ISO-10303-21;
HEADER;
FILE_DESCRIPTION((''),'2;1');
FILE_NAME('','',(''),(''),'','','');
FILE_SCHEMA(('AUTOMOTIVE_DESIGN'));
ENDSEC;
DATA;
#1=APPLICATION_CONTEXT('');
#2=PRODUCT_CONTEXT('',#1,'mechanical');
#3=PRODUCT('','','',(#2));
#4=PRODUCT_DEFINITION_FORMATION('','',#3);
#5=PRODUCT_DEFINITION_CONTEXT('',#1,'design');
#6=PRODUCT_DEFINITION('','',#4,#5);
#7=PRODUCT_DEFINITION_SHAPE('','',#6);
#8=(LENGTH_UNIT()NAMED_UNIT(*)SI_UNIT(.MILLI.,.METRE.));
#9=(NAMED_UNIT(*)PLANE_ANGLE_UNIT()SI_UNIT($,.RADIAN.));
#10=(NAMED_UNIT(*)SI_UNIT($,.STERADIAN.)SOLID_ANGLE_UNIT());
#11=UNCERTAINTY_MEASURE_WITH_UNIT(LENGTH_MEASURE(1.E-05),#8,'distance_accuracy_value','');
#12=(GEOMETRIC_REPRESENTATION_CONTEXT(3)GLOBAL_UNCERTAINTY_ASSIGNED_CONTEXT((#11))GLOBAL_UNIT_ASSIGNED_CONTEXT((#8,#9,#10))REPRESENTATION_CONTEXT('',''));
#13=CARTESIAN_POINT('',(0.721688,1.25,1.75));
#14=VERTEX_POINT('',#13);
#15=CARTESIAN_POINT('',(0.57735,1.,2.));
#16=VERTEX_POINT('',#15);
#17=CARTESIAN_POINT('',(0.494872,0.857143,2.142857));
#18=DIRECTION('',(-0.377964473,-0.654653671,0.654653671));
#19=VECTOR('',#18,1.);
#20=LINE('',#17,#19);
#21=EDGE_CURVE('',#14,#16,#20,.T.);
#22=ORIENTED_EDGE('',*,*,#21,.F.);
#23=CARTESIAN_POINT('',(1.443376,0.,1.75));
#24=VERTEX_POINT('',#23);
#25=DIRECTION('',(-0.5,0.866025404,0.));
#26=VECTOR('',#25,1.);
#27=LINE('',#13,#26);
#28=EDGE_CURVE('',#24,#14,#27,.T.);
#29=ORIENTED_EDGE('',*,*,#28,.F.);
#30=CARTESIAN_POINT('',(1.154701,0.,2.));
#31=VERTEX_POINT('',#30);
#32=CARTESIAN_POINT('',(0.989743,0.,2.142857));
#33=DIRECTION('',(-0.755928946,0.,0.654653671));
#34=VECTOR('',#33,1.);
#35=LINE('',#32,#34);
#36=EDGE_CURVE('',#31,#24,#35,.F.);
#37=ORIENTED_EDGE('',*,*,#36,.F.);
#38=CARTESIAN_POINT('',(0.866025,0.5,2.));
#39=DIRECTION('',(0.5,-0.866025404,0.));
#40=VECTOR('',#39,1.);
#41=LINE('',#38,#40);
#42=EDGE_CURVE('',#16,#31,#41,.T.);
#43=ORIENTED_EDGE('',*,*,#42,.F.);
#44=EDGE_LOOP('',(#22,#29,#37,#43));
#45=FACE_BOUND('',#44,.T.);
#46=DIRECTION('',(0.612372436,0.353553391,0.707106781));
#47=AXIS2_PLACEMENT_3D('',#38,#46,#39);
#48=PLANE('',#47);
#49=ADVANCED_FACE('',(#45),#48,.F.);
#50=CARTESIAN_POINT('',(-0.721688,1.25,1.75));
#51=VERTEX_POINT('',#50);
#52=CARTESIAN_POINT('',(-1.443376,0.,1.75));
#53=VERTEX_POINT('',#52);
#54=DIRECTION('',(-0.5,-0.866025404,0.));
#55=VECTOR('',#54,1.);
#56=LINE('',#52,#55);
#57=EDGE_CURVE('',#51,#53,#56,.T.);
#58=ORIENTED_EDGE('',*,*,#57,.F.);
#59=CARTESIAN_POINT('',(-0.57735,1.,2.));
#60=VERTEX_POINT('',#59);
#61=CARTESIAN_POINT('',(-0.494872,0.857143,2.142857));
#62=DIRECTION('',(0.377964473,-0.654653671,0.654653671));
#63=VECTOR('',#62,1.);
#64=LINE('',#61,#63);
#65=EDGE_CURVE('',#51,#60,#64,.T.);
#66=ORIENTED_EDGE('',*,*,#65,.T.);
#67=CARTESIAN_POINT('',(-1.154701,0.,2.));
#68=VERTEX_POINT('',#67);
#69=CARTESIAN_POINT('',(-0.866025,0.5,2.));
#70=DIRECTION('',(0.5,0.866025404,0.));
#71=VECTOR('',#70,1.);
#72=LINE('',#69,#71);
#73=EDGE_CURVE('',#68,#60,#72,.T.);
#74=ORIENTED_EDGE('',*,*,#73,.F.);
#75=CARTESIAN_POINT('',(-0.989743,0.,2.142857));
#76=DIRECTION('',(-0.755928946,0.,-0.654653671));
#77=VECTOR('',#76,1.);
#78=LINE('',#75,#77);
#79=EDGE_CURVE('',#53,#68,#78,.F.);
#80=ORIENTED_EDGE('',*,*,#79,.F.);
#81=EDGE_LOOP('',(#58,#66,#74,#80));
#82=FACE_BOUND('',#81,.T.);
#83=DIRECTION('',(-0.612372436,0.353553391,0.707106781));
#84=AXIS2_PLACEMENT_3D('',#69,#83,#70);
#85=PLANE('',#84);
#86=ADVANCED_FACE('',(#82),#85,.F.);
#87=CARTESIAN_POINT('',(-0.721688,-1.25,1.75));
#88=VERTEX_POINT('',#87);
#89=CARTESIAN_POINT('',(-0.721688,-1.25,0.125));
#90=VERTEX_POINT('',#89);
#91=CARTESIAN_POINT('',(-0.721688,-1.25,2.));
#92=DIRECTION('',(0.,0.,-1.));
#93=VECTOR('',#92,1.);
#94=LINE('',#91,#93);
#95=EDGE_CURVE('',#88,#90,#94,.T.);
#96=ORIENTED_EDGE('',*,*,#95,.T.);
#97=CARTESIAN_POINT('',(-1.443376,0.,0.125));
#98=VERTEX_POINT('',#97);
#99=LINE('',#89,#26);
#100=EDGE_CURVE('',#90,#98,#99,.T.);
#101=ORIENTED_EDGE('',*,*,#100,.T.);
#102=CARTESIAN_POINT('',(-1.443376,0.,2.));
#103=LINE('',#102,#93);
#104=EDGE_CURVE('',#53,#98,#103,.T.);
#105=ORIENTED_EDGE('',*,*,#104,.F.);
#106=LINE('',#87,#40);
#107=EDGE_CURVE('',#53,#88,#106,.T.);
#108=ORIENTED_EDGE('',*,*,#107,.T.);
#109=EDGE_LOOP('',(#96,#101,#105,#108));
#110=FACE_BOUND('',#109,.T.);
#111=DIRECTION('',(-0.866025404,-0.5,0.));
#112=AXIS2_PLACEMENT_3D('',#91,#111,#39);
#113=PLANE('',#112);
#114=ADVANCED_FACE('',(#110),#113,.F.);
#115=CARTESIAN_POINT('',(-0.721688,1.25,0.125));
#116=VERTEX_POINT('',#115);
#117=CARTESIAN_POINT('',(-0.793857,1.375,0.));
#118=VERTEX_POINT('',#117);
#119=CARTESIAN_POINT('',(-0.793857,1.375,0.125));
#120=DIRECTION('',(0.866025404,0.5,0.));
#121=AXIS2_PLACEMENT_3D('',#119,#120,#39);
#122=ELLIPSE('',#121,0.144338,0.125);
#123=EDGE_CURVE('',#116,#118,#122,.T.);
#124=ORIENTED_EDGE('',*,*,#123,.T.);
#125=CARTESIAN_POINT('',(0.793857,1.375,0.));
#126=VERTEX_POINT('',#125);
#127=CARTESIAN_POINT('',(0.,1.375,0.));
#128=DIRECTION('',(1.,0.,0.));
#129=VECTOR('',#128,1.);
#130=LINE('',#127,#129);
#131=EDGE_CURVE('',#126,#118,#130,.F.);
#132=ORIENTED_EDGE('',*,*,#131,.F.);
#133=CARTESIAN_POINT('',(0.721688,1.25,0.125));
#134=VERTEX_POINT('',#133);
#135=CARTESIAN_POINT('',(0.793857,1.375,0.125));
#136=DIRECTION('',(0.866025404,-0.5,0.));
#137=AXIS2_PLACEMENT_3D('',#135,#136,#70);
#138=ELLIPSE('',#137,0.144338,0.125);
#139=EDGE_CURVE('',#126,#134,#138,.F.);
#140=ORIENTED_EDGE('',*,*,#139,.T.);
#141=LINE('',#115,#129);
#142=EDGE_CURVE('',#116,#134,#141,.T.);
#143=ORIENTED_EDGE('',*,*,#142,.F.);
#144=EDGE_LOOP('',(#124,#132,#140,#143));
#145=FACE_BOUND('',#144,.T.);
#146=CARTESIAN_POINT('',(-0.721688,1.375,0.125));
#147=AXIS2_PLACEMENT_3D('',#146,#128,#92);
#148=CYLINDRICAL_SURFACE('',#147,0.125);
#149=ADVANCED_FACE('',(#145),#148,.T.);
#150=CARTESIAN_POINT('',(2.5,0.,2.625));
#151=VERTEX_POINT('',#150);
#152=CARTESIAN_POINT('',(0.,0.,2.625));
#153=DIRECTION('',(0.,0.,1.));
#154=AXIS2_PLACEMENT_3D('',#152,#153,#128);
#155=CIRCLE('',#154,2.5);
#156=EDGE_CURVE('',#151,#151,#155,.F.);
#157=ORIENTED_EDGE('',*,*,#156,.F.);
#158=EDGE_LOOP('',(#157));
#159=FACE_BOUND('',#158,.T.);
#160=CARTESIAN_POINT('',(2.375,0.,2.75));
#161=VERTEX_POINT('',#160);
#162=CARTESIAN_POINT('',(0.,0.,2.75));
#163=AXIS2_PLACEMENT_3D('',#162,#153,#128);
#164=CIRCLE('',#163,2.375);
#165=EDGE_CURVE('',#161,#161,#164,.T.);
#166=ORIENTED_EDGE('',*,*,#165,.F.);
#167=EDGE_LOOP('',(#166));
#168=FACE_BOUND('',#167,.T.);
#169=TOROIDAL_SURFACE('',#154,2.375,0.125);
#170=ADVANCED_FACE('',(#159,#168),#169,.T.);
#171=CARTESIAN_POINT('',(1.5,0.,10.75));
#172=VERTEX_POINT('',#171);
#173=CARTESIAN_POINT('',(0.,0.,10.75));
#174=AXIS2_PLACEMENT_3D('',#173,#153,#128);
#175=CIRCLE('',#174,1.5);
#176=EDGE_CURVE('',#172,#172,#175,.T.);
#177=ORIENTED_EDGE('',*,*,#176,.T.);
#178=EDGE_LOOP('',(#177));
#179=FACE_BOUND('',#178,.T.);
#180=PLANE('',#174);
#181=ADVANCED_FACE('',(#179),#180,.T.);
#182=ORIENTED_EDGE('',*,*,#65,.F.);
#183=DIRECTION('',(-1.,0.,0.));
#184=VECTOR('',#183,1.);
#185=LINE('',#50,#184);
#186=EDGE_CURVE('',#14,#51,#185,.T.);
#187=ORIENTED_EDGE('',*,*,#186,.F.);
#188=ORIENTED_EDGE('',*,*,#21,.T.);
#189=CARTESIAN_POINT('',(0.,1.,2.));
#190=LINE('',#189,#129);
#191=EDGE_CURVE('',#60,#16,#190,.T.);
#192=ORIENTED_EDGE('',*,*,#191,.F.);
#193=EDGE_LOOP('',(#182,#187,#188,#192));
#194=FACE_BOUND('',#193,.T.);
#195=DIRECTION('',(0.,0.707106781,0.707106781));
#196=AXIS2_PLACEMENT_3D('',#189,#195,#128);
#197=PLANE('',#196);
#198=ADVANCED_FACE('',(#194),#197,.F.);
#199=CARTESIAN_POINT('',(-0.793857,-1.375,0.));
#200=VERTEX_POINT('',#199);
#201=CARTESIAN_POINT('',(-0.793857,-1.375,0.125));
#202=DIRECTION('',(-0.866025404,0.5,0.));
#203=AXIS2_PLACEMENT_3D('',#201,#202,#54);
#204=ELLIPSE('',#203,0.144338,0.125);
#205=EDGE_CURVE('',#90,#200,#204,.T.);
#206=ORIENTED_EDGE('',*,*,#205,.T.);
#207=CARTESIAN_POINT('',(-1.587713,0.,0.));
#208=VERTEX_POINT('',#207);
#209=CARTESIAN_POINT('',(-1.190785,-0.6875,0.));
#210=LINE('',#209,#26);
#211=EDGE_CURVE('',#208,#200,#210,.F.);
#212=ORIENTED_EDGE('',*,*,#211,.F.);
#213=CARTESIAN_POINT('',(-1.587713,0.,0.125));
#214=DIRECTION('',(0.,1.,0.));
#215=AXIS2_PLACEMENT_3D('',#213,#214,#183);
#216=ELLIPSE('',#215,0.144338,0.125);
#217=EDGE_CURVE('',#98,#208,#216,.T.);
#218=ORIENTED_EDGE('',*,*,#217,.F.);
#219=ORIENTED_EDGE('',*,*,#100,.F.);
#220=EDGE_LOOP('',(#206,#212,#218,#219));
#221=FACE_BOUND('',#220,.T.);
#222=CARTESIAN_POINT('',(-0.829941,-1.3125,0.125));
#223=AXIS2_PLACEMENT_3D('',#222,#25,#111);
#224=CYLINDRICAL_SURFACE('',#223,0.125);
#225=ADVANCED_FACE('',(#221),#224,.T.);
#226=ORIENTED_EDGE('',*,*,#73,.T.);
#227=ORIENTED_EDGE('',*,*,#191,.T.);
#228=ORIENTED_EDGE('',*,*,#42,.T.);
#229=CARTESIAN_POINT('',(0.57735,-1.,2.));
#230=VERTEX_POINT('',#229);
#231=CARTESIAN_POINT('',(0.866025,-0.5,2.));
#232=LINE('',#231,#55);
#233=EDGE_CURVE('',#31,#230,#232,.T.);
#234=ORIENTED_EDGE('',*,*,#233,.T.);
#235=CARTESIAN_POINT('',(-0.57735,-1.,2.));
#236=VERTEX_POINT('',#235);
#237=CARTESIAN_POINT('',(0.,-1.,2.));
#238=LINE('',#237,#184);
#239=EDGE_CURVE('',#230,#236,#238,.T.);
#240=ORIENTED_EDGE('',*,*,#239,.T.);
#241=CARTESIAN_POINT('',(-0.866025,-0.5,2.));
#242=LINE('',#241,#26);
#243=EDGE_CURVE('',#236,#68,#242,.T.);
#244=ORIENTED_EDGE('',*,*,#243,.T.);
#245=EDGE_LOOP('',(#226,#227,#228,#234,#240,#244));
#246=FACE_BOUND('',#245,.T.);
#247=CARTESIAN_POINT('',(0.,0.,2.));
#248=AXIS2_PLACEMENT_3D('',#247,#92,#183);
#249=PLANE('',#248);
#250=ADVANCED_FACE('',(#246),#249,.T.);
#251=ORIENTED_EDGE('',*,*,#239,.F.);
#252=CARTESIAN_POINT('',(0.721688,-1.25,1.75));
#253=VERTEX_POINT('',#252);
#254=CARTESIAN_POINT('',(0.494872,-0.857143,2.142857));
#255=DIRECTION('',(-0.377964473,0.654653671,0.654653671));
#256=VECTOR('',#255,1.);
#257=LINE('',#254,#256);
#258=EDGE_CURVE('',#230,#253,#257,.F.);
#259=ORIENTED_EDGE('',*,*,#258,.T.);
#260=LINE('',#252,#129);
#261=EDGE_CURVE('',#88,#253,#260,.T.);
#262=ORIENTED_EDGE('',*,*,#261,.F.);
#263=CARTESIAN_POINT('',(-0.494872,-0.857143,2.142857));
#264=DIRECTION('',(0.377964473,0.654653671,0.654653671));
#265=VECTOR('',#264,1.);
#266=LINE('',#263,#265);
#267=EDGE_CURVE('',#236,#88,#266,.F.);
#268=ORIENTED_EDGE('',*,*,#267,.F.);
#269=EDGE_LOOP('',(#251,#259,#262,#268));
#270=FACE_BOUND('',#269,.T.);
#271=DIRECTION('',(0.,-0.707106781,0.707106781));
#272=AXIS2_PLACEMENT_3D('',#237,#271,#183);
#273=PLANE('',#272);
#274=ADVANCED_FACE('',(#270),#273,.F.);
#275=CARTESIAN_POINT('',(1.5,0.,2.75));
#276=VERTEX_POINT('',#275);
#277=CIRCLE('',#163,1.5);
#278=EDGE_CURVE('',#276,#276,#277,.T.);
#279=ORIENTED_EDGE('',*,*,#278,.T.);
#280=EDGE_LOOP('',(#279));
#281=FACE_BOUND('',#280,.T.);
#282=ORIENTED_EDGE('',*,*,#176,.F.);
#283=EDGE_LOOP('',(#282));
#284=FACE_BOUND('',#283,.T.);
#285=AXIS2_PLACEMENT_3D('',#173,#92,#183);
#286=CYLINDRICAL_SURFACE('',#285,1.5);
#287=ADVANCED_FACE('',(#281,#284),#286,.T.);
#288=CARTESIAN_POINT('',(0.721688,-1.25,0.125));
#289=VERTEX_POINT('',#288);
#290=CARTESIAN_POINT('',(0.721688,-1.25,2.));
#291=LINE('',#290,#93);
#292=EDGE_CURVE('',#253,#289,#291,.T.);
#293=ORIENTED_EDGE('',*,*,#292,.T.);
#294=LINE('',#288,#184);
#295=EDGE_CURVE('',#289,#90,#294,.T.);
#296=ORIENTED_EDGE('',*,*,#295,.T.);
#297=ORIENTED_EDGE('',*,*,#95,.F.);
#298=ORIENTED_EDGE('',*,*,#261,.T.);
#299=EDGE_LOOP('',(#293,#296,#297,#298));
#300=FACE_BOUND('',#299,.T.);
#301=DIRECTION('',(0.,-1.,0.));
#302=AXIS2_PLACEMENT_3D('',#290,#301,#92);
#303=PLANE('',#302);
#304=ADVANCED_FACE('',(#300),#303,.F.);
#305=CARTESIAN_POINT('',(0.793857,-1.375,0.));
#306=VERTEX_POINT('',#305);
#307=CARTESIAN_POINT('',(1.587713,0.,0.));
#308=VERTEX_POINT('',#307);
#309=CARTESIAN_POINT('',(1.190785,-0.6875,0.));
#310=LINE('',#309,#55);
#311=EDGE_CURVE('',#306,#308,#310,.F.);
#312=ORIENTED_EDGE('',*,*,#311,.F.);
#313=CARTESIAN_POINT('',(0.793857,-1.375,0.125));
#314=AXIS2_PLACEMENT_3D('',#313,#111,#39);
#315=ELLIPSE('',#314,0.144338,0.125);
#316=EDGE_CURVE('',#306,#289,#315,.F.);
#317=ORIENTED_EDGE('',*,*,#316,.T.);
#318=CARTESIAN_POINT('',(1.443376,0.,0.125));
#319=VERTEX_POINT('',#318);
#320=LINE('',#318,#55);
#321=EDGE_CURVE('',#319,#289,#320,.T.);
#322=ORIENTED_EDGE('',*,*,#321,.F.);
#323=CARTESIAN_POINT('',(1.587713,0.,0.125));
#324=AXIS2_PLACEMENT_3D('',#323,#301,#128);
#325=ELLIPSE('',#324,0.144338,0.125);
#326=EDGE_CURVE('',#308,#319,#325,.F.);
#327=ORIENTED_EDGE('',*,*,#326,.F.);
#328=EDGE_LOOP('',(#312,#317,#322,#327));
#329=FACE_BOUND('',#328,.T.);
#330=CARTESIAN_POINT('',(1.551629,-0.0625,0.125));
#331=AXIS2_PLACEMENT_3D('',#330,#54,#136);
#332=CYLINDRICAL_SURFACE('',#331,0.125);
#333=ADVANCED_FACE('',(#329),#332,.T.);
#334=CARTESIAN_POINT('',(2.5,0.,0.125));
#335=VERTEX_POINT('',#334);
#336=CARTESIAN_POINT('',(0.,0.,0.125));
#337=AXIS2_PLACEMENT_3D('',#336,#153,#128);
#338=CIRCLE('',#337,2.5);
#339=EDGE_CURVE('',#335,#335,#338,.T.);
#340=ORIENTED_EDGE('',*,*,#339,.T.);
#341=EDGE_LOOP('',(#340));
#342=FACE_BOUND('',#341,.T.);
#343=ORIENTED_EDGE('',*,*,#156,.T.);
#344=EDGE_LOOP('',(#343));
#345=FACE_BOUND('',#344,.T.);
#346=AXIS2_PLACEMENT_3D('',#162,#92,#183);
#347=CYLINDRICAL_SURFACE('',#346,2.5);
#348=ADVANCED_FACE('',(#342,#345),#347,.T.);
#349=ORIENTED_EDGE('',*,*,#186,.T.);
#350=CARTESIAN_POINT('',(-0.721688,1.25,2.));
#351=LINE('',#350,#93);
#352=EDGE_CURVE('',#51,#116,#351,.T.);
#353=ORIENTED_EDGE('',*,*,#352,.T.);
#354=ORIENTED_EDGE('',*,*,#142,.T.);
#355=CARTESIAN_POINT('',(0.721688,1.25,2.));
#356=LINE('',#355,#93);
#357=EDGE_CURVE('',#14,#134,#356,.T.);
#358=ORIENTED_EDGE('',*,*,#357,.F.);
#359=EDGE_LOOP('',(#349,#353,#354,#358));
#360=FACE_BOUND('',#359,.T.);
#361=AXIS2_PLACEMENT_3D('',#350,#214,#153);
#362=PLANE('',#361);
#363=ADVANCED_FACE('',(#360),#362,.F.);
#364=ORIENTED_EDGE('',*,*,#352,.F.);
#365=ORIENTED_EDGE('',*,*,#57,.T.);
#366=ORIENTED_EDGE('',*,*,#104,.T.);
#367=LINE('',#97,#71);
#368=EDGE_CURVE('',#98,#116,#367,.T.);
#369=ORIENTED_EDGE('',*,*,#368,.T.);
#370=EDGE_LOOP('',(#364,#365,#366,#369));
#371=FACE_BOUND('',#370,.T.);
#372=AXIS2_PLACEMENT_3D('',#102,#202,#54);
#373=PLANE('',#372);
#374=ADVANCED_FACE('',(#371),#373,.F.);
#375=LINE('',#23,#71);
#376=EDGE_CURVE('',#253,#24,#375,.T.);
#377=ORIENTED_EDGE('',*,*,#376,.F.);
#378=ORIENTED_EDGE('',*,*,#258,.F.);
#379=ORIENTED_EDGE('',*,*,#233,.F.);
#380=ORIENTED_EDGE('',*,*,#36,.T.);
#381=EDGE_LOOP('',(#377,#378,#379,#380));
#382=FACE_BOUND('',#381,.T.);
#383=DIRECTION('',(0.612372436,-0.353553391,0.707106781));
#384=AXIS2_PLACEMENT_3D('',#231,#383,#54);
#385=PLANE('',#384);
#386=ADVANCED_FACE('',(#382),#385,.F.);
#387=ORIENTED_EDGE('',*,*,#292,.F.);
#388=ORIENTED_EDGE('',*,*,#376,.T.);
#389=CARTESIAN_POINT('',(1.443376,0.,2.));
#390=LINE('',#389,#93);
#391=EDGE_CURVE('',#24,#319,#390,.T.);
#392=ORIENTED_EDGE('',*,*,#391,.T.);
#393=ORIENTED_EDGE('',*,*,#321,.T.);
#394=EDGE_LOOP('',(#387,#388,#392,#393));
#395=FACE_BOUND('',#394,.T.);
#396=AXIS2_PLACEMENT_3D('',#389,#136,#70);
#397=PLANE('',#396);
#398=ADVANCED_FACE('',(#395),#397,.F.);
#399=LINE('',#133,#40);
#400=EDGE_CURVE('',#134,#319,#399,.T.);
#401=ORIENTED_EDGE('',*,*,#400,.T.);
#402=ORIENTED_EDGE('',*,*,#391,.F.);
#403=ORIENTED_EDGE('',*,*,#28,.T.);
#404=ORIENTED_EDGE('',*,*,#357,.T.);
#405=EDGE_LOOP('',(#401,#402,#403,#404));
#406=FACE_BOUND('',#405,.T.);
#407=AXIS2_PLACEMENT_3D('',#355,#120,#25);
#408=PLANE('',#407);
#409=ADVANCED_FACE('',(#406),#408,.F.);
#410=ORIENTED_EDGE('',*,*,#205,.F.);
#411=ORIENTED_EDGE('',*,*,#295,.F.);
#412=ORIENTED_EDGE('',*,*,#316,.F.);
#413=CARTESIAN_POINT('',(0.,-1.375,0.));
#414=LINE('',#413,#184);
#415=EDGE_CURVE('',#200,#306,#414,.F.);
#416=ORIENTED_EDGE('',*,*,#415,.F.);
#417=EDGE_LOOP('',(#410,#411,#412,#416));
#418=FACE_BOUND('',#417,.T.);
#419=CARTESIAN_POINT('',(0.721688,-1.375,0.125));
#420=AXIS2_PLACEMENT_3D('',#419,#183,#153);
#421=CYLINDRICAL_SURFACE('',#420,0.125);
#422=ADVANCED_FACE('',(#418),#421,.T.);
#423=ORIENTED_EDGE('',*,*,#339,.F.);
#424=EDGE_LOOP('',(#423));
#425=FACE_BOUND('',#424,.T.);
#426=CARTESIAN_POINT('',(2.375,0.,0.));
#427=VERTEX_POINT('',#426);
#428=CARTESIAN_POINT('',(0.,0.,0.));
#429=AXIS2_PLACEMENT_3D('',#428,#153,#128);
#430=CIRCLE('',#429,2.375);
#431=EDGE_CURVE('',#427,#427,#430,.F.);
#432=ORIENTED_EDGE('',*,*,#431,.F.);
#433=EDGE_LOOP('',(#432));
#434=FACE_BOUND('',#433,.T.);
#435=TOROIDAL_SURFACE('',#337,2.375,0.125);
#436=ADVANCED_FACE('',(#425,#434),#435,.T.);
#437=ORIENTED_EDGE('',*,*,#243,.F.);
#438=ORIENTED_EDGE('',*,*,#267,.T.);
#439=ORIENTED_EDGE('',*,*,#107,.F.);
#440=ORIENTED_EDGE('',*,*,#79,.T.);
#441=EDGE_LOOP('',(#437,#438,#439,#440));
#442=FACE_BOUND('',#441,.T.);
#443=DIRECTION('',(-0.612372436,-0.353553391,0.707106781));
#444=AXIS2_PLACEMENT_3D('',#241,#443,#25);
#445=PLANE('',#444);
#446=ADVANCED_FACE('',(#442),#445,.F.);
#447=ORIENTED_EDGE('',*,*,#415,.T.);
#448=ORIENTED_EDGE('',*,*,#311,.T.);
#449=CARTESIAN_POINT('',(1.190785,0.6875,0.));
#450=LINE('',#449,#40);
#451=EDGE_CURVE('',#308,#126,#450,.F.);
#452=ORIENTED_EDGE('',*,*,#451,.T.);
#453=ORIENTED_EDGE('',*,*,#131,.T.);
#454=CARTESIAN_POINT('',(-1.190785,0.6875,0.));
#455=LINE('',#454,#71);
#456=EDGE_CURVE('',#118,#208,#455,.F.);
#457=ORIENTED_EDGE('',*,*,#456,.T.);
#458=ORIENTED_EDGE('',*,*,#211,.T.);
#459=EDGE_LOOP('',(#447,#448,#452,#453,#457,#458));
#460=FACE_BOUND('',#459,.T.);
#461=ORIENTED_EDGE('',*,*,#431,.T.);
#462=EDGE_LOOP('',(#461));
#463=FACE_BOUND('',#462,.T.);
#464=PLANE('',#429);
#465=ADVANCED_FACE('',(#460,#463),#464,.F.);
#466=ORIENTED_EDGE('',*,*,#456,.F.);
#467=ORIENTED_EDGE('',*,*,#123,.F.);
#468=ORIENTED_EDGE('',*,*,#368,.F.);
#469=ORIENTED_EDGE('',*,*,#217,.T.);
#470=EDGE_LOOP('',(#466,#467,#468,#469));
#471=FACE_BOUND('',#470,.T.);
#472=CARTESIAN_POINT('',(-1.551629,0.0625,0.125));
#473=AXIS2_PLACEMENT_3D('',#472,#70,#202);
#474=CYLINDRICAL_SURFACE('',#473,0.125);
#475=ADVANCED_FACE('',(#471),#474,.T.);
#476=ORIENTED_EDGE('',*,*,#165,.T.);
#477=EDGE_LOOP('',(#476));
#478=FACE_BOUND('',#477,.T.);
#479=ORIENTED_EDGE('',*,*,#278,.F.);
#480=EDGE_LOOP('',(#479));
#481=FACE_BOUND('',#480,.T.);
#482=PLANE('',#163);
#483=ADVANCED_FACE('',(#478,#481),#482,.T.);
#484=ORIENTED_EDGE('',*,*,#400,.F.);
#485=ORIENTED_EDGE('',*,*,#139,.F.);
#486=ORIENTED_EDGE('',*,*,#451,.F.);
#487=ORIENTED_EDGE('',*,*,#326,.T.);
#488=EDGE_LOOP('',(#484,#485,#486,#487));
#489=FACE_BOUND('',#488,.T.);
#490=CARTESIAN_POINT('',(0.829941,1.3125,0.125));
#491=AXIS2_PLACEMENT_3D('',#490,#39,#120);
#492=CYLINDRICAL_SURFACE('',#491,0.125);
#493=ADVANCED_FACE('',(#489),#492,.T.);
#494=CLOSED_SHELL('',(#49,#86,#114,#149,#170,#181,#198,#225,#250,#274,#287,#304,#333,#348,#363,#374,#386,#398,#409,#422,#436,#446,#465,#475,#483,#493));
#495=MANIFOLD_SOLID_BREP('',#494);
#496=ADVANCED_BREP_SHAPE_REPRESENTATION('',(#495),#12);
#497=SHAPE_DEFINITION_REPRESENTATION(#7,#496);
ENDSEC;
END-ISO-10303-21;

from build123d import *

# Parameters (mm, degrees)
SKETCH1_R           = 2.5
BOSS_EXTRUDE1_DEPTH = 2.75
SKETCH2_R           = 1.5
BOSS_EXTRUDE2_DEPTH = 8
CUT_EXTRUDE1_DEPTH  = 2
CHAMFER1_SIZE       = 0.25
FILLET1_R           = 0.125


with BuildPart() as part:
    # Sketch1 → Boss-Extrude1 (new body)
    with BuildSketch(Plane.XY):
        Circle(SKETCH1_R)
    extrude(amount=BOSS_EXTRUDE1_DEPTH)

    # Sketch2 → Boss-Extrude2 (add)
    with BuildSketch(Plane.XY.offset(2.75)):
        Circle(SKETCH2_R)
    extrude(amount=BOSS_EXTRUDE2_DEPTH)

    # Sketch3 → Cut-Extrude1 (cut)
    with BuildSketch(Plane(origin=(0, 0, 0), x_dir=(-1, 0, 0), z_dir=(0, 0, -1))):
        Polygon((1.443375673, 0), (0.721687836, 1.25), (-0.721687836, 1.25), (-1.443375673, 0), (-0.721687836, -1.25), (0.721687836, -1.25), align=None)
    extrude(amount=-CUT_EXTRUDE1_DEPTH, mode=Mode.SUBTRACT)

    # Chamfer1
    chamfer1_edges = [part.edges().sort_by_distance(p)[0] for p in [
        (-1.082531755, -0.625, 2),
        (0, -1.25, 2),
        (1.082531755, -0.625, 2),
        (1.082531755, 0.625, 2),
        (0, 1.25, 2),
        (-1.082531755, 0.625, 2),
    ]]
    chamfer(chamfer1_edges, length=CHAMFER1_SIZE)

    # Fillet1
    fillet1_edges = [part.edges().sort_by_distance(p)[0] for p in [
        (-1.082531755, -0.625, 0),
        (-1.082531755, 0.625, 0),
        (0, 1.25, 0),
        (1.082531755, 0.625, 0),
        (1.082531755, -0.625, 0),
        (0, -1.25, 0),
        (-2.5, 0, 0),
        (-2.5, 0, 2.75),
    ]]
    fillet(fillet1_edges, radius=FILLET1_R)


solid = part.part
